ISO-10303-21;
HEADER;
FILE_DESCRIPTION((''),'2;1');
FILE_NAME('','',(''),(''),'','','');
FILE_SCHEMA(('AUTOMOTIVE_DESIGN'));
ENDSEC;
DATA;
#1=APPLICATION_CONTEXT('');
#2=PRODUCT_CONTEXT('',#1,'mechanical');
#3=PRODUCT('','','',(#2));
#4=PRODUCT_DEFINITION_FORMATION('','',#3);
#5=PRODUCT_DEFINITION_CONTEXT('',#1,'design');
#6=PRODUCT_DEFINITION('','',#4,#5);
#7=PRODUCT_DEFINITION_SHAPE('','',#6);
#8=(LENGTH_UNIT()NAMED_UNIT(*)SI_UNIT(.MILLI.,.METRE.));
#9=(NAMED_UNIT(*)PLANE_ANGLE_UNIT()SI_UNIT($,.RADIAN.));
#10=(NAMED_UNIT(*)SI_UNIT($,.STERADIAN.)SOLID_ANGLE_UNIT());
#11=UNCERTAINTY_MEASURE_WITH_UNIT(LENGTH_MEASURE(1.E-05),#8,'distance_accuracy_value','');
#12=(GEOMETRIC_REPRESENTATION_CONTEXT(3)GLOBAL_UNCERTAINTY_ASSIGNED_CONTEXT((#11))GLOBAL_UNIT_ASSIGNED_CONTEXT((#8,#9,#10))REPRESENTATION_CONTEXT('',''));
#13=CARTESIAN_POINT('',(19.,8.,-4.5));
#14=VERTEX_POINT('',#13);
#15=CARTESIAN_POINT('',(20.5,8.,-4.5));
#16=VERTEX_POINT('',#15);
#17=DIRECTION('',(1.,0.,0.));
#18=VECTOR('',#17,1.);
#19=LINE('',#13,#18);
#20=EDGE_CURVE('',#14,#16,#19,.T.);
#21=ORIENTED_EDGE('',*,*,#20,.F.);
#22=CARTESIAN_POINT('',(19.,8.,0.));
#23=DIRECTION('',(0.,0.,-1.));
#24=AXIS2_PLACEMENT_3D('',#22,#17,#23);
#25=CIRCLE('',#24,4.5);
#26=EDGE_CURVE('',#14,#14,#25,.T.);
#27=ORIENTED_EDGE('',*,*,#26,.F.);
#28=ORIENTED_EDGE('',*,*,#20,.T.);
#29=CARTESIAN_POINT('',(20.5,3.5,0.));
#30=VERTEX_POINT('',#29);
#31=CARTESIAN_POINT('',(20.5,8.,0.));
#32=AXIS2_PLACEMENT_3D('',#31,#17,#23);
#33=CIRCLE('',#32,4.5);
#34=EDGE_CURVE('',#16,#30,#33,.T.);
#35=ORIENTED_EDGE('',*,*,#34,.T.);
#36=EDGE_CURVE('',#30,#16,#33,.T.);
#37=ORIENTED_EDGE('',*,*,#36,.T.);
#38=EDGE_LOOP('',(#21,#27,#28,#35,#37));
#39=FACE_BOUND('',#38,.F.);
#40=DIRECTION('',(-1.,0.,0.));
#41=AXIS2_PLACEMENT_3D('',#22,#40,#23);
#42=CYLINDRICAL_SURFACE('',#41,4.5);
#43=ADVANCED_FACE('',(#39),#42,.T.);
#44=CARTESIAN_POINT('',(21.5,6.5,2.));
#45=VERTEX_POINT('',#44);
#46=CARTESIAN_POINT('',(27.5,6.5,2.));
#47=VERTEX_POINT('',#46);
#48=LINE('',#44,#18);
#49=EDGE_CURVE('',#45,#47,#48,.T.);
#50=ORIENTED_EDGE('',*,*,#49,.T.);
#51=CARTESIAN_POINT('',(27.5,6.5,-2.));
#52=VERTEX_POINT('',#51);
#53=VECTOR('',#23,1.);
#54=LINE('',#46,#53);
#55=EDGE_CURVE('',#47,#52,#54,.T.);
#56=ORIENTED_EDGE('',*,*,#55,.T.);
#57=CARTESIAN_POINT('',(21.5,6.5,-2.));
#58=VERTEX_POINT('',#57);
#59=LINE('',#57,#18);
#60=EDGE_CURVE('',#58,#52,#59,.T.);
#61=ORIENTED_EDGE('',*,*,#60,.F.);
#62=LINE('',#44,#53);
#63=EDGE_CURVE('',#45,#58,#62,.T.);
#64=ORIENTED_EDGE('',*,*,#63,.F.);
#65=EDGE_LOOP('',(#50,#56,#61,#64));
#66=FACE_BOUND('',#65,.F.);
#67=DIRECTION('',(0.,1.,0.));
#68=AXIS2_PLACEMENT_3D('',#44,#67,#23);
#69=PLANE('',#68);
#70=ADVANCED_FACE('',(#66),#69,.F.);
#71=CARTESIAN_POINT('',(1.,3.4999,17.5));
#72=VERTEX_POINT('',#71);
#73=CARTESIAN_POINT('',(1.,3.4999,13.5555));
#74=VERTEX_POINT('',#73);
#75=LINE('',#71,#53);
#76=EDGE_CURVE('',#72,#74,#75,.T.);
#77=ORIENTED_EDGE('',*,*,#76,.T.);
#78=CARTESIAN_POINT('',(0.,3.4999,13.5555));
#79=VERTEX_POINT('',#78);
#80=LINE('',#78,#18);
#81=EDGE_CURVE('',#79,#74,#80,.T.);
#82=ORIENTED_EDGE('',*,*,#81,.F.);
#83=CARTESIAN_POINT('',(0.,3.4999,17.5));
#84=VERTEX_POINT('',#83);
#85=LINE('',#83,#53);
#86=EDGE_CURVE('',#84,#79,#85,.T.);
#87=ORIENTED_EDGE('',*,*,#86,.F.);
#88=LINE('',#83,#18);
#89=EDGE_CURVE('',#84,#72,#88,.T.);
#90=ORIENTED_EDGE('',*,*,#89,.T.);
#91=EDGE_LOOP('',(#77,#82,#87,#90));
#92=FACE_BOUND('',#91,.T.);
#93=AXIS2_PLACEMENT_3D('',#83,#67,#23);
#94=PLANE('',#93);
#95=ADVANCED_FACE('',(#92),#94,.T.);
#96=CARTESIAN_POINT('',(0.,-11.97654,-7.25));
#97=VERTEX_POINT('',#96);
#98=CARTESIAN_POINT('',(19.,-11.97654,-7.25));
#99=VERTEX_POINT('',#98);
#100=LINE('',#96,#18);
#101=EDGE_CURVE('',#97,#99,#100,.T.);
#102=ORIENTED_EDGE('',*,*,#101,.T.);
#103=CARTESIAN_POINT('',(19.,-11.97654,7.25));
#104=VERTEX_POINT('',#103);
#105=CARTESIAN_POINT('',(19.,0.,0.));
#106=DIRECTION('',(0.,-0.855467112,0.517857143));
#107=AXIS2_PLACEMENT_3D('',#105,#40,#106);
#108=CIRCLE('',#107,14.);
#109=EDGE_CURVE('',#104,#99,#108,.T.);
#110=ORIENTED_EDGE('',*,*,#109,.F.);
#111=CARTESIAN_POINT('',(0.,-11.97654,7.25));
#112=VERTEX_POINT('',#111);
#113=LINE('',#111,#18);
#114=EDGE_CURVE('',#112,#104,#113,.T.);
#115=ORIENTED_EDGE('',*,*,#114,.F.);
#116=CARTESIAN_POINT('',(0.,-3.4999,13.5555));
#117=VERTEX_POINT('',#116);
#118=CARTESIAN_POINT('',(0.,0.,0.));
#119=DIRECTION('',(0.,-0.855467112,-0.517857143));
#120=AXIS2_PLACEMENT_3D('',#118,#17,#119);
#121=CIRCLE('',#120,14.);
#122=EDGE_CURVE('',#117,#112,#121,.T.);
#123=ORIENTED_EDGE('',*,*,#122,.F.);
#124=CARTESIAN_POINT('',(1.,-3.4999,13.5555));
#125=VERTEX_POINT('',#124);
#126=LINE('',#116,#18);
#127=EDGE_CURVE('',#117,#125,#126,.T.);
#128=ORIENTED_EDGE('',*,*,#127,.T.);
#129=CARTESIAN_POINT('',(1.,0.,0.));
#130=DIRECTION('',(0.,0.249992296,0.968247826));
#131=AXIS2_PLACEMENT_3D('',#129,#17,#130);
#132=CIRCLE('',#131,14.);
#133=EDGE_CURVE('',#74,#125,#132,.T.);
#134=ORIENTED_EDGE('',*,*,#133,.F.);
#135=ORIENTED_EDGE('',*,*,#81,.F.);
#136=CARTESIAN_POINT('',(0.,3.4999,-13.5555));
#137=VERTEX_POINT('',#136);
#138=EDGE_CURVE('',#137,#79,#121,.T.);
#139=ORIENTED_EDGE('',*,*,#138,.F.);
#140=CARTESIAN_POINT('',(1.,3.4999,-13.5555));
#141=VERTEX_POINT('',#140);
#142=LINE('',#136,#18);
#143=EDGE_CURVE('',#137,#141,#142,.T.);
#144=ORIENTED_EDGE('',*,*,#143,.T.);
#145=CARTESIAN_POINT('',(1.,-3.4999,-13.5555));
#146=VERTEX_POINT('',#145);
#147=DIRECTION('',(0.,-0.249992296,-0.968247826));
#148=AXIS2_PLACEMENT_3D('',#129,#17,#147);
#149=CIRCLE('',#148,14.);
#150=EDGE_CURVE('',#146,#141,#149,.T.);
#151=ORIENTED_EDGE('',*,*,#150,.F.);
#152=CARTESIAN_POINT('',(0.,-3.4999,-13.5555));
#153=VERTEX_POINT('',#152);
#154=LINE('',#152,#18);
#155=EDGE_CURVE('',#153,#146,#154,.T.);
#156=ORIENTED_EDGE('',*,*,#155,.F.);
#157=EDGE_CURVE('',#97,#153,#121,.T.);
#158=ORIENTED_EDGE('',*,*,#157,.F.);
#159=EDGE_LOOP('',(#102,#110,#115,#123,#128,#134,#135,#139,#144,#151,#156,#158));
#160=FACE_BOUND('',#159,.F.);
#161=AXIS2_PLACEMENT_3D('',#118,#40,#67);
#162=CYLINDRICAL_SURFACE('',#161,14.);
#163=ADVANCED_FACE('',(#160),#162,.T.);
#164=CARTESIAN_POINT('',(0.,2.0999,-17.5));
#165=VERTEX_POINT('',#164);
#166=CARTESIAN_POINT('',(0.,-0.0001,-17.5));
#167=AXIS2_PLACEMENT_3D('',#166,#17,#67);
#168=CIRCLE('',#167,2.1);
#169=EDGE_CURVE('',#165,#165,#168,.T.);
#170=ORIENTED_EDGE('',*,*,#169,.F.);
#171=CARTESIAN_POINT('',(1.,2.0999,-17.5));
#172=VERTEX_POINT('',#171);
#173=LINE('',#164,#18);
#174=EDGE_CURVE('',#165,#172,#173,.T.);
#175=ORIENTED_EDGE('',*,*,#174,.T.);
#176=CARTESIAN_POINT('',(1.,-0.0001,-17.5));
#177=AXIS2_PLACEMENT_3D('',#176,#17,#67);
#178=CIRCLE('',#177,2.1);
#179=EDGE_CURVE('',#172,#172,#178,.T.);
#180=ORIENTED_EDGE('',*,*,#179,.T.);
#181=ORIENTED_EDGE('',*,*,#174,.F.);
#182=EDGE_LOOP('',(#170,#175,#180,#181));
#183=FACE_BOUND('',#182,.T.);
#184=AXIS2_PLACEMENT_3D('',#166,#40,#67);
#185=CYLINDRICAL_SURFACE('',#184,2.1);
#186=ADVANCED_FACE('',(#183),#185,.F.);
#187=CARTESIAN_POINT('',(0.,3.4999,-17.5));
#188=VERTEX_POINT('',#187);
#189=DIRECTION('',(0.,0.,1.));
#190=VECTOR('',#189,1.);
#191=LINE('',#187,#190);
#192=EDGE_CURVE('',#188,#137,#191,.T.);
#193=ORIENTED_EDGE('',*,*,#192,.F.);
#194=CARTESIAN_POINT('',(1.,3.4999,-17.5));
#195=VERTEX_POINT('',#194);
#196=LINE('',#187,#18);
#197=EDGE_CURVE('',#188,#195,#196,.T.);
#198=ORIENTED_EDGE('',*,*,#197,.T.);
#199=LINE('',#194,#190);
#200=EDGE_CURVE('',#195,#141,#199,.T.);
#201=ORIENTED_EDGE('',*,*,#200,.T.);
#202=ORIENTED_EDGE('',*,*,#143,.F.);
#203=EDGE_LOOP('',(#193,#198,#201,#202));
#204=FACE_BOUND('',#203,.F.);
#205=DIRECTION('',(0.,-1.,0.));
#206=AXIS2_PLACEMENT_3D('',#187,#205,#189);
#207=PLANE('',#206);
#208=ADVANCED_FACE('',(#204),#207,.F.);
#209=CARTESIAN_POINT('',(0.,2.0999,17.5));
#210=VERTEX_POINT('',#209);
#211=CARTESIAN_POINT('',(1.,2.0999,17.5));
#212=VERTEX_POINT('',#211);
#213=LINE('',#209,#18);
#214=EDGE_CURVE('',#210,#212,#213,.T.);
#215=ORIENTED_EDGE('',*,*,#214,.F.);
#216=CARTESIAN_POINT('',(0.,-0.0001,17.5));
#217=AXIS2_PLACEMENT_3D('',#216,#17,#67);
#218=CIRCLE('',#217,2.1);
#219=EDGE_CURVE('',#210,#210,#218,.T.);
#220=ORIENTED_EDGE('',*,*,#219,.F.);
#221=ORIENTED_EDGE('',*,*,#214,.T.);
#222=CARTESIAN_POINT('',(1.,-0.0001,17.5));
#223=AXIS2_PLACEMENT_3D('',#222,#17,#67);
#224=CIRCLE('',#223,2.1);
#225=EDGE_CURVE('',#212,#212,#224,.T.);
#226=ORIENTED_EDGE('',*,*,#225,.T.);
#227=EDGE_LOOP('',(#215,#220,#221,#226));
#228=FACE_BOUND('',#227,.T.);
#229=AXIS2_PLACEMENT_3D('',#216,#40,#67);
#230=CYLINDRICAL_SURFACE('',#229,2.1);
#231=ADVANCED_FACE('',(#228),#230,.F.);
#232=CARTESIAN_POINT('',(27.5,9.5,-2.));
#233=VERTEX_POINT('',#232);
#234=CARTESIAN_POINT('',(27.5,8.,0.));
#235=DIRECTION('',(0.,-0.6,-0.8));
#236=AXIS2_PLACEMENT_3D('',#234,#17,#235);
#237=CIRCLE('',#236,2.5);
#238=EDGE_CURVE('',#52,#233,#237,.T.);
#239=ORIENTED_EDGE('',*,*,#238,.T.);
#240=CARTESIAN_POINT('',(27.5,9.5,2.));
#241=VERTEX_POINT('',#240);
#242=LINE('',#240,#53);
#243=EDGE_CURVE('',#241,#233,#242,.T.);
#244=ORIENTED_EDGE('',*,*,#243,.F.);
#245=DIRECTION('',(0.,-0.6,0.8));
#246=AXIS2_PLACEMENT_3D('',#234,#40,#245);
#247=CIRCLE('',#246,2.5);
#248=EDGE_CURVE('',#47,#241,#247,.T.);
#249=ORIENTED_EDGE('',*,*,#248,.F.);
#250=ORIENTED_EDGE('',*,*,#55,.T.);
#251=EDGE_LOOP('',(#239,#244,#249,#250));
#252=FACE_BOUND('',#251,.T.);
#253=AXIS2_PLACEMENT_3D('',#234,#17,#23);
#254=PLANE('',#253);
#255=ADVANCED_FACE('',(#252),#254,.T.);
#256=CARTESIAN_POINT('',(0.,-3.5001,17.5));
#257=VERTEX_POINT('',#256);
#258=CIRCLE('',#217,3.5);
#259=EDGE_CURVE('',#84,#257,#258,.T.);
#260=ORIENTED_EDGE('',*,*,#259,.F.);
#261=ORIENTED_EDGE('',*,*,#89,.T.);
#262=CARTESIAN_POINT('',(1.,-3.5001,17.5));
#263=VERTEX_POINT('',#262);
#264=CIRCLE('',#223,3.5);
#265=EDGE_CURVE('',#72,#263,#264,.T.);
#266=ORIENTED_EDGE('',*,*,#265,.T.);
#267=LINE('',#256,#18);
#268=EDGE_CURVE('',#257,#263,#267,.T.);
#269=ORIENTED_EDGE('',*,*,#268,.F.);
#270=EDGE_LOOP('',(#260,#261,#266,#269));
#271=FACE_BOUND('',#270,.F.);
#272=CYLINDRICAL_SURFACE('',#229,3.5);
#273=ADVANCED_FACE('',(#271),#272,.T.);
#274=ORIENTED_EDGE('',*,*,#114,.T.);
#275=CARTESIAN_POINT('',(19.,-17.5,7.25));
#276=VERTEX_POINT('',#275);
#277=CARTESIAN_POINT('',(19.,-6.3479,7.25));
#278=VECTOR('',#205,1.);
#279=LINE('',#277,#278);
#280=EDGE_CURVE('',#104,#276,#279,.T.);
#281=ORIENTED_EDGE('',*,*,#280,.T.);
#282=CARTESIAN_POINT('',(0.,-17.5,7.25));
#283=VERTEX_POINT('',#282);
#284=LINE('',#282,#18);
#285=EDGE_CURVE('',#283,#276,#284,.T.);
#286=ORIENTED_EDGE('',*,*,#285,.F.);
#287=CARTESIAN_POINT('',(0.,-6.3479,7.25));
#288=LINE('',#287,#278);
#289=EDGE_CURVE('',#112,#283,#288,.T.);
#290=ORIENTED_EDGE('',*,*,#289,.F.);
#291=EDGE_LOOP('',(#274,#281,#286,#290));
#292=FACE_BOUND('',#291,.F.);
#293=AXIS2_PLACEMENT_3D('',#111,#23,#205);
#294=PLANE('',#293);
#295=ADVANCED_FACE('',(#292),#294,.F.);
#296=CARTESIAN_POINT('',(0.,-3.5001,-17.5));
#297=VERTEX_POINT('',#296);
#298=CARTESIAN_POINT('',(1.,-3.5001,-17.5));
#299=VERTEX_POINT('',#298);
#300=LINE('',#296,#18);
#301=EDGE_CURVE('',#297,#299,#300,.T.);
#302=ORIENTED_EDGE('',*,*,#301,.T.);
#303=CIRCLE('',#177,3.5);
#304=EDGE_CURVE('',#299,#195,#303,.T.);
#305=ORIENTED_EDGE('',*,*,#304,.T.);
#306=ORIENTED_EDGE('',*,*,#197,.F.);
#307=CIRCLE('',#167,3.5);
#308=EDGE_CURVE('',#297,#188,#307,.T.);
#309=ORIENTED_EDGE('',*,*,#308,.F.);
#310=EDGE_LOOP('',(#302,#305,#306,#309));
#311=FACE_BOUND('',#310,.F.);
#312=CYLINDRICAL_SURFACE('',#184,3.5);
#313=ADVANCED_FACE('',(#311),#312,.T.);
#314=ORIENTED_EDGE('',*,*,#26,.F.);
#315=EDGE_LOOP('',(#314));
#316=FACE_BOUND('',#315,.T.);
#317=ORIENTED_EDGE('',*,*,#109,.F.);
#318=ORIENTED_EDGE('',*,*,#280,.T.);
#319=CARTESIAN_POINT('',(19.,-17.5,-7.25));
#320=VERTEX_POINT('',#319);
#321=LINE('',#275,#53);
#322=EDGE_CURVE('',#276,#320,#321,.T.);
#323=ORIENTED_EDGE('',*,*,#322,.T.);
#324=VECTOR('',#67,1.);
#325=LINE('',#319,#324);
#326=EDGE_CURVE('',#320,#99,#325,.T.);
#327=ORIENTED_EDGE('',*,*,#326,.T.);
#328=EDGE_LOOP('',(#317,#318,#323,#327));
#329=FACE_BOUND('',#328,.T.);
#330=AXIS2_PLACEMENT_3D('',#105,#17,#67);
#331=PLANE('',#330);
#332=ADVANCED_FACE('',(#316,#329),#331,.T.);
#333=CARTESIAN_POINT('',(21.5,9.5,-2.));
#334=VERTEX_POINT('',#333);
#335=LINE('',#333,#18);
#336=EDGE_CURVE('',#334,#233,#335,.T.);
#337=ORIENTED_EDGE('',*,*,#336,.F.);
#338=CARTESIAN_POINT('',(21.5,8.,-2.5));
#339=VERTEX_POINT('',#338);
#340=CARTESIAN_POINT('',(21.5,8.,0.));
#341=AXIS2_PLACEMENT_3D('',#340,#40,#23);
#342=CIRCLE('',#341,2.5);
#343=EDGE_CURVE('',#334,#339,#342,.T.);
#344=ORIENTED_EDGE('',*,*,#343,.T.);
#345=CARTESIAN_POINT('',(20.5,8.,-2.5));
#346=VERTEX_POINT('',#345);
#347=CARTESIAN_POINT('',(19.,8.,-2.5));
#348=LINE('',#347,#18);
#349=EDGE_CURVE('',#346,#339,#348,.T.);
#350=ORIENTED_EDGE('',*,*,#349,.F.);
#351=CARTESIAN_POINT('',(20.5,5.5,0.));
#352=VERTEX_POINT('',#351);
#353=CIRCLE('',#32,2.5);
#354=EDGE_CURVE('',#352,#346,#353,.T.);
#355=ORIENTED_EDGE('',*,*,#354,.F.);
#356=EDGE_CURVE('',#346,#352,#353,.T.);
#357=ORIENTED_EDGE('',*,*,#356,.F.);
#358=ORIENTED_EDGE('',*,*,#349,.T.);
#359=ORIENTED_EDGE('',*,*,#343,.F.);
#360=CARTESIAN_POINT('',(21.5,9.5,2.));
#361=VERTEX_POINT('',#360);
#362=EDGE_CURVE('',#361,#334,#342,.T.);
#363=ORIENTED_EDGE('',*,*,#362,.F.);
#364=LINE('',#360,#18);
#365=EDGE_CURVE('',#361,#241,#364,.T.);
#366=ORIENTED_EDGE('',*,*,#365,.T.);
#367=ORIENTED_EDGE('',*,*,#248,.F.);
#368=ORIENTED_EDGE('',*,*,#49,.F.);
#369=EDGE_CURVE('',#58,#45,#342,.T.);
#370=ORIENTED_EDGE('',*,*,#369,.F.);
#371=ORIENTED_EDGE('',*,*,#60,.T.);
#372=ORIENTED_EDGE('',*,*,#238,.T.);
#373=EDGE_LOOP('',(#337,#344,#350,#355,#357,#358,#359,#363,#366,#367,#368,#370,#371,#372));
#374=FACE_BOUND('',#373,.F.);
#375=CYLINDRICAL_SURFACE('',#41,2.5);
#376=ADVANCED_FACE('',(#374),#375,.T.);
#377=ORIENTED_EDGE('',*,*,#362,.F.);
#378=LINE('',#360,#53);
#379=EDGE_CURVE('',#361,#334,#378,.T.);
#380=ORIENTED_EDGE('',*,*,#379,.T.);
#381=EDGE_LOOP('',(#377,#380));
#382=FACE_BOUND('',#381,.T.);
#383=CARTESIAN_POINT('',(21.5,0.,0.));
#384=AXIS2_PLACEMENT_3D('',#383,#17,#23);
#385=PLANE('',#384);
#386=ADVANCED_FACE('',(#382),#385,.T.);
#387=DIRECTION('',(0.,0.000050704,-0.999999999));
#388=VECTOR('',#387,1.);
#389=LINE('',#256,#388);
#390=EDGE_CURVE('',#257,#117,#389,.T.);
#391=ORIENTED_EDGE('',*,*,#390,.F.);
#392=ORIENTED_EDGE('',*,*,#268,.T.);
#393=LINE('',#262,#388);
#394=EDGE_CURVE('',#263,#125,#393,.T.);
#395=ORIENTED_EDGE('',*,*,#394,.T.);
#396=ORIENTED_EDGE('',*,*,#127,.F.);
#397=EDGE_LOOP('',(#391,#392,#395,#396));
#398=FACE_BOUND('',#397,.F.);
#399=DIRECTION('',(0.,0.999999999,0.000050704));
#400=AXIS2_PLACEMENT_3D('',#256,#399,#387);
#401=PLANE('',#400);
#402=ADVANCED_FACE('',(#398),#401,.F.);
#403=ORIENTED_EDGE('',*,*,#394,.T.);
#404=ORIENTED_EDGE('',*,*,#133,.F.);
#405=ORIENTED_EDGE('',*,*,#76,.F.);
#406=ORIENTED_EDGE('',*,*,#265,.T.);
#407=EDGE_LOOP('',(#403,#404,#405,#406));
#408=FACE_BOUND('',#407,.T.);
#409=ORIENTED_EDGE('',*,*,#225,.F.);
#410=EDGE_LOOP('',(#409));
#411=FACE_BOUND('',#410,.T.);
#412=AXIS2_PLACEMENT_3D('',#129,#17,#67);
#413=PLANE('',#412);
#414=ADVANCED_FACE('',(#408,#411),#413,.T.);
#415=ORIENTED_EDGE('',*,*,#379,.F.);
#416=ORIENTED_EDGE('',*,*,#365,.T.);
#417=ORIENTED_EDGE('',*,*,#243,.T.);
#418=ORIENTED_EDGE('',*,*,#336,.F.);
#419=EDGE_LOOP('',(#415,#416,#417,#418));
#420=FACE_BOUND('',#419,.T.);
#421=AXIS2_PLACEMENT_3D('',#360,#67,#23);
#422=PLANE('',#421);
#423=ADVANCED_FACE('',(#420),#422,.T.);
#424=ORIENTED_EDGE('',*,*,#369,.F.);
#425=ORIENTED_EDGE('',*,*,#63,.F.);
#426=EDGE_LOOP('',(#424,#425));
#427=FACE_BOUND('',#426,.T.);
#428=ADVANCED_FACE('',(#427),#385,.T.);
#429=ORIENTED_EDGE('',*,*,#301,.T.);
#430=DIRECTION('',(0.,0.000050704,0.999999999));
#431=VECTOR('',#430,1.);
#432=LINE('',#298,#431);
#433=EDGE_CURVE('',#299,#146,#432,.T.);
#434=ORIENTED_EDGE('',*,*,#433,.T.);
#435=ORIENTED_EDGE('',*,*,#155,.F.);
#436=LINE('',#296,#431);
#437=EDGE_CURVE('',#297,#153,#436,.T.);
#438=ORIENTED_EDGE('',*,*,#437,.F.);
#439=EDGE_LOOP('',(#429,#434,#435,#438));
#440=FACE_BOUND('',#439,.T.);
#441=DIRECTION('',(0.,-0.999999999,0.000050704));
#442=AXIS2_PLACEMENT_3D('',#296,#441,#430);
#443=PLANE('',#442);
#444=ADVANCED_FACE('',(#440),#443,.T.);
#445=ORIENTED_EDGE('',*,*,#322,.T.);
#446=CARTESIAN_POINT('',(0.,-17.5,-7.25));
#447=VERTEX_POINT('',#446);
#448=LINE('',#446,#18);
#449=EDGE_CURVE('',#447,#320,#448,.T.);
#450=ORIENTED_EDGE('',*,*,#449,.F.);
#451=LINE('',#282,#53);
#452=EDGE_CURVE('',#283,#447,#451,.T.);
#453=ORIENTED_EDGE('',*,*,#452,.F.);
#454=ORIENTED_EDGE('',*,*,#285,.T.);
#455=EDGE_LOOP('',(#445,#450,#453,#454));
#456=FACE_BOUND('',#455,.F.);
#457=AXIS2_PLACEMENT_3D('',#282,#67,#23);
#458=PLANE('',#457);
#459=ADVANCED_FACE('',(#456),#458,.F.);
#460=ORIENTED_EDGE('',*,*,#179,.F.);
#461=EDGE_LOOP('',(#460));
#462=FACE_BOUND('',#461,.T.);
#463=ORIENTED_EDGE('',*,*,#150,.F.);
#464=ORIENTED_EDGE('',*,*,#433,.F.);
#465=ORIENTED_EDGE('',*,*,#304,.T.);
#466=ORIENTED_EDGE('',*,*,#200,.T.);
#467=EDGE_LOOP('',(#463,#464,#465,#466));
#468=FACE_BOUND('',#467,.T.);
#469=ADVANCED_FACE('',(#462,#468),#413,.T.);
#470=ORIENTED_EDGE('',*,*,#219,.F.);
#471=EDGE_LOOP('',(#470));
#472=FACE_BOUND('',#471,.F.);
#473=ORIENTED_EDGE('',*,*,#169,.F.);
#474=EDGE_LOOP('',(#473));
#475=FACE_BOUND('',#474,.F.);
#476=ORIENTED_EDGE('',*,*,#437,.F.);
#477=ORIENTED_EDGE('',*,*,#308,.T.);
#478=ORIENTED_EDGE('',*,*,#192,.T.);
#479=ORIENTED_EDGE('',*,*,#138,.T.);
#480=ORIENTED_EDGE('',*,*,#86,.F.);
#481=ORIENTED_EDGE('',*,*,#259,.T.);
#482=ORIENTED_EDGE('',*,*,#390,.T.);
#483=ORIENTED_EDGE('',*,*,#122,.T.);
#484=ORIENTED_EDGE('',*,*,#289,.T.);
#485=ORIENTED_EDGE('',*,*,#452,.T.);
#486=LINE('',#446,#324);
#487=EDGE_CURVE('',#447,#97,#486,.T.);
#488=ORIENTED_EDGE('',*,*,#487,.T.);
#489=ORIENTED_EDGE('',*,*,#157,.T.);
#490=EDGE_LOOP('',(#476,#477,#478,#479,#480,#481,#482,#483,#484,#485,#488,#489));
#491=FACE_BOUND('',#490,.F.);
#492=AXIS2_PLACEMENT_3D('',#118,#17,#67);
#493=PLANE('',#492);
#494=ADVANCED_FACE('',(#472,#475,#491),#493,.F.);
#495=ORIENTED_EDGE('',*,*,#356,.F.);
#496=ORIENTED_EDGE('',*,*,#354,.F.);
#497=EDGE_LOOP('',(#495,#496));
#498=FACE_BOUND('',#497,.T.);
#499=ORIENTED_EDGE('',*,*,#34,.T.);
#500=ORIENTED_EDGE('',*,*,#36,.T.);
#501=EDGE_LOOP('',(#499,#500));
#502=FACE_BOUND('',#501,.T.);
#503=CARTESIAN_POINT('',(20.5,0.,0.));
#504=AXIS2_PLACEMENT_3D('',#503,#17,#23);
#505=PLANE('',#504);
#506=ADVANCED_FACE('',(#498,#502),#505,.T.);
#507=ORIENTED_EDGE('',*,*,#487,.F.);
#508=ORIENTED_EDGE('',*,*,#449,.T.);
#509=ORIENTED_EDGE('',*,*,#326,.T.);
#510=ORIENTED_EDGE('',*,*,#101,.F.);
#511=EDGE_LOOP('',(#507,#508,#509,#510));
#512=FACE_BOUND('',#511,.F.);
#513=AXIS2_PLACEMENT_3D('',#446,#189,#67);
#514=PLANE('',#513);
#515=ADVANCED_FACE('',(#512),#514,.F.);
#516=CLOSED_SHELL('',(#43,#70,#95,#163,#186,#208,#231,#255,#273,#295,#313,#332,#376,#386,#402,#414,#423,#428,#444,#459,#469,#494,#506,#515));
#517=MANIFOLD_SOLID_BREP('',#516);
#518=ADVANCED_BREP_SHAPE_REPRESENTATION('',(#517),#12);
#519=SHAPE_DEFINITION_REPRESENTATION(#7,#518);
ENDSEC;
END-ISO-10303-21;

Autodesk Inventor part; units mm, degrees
ref_plane "YZ Plane" through (0, 0, 0) normal (1, 0, 0) x (0, 1, 0)
ref_plane "XZ Plane" through (0, 0, 0) normal (0, 1, 0) x (-1, 0, 0)
ref_plane "XY Plane" through (0, 0, 0) normal (0, 0, 1) x (1, 0, 0)
sketch "Sketch1" plane through (0, 0, 0) normal (1, 0, 0) x (0, 1, 0)
  circle A0 centre (0, 0) radius 14
  line L0 (-6.3479, 7.25) -> (-17.5, 7.25)
  line L1 (-17.5, 7.25) -> (-17.5, -7.25)
  line L2 (-17.5, -7.25) -> (-6.3479, -7.25)
  circle A1 centre (-0.0001, 17.5) radius 3.5
  circle A2 centre (-0.0001, 17.5) radius 2.1
  line L3 (3.4999, 17.5) -> (3.4999, 13.5555)
  line L4 (-3.5001, 17.5) -> (-3.4999, 13.5555)
  line L5 (-14, 0) -> (14, 0)
  circle A3 centre (-0.0001, -17.5) radius 3.5
  circle A4 centre (-0.0001, -17.5) radius 2.1
  line L6 (3.4999, -17.5) -> (3.4999, -13.5555)
  line L7 (-3.5001, -17.5) -> (-3.4999, -13.5555)
  point P0 (-11.9765, -7.25)
  point P1 (-11.9765, 7.25)
  dimension "d0" = 28
  dimension "d7" = 14.5
  dimension "d8" = 7.25
  dimension "d9" = 17.5
  dimension "d12" = 7
  dimension "d13" = 4.2
  dimension "d14" = 17.5
extrude "Extrusion1" add sketch "Sketch1" along normal blind 19 contours L5 A0 | A0 L5 | A0 L2 L1 L0
extrude "Extrusion2" add sketch "Sketch1" along normal blind 1 contours A0 A1 L3 | L6 A3 A0 | A0 L4 A1 | A1 | A3 L7 A0 | A3
sketch "Sketch3" plane through (19, 0, 0) normal (1, 0, 0) x (0, 0, -1)
  line L0 (0, 0) -> (0, 8)
  circle A0 centre (0, 8) radius 4.5
  circle A1 centre (0, 8) radius 2.5
  dimension "d17" = 8
  dimension "d18" = 9
  dimension "d19" = 5
extrude "Extrusion3" add sketch "Sketch3" along normal blind 1.5
extrude "Extrusion4" add sketch "Sketch3" along normal blind 2.5 contours A1
sketch "Sketch5" plane through (21.5, 8, 0) normal (1, 0, 0) x (0, 0, -1)
  circle A0 centre (0, 0) radius 2.5 projected
  line L0 (-2, 1.5) -> (2, 1.5)
  circle A1 centre (0, 0) radius 2.5 projected
  line L1 (-2.5, 0) -> (2.5, 0)
  line L2 (-2, -1.5) -> (2, -1.5)
  point P0 (0, -8)
  dimension "d24" = 1.5
extrude "Extrusion5" add sketch "Sketch5" along normal blind 6 contours L1 A0 L0 | A0 L2 L1
properties part number "motor"
